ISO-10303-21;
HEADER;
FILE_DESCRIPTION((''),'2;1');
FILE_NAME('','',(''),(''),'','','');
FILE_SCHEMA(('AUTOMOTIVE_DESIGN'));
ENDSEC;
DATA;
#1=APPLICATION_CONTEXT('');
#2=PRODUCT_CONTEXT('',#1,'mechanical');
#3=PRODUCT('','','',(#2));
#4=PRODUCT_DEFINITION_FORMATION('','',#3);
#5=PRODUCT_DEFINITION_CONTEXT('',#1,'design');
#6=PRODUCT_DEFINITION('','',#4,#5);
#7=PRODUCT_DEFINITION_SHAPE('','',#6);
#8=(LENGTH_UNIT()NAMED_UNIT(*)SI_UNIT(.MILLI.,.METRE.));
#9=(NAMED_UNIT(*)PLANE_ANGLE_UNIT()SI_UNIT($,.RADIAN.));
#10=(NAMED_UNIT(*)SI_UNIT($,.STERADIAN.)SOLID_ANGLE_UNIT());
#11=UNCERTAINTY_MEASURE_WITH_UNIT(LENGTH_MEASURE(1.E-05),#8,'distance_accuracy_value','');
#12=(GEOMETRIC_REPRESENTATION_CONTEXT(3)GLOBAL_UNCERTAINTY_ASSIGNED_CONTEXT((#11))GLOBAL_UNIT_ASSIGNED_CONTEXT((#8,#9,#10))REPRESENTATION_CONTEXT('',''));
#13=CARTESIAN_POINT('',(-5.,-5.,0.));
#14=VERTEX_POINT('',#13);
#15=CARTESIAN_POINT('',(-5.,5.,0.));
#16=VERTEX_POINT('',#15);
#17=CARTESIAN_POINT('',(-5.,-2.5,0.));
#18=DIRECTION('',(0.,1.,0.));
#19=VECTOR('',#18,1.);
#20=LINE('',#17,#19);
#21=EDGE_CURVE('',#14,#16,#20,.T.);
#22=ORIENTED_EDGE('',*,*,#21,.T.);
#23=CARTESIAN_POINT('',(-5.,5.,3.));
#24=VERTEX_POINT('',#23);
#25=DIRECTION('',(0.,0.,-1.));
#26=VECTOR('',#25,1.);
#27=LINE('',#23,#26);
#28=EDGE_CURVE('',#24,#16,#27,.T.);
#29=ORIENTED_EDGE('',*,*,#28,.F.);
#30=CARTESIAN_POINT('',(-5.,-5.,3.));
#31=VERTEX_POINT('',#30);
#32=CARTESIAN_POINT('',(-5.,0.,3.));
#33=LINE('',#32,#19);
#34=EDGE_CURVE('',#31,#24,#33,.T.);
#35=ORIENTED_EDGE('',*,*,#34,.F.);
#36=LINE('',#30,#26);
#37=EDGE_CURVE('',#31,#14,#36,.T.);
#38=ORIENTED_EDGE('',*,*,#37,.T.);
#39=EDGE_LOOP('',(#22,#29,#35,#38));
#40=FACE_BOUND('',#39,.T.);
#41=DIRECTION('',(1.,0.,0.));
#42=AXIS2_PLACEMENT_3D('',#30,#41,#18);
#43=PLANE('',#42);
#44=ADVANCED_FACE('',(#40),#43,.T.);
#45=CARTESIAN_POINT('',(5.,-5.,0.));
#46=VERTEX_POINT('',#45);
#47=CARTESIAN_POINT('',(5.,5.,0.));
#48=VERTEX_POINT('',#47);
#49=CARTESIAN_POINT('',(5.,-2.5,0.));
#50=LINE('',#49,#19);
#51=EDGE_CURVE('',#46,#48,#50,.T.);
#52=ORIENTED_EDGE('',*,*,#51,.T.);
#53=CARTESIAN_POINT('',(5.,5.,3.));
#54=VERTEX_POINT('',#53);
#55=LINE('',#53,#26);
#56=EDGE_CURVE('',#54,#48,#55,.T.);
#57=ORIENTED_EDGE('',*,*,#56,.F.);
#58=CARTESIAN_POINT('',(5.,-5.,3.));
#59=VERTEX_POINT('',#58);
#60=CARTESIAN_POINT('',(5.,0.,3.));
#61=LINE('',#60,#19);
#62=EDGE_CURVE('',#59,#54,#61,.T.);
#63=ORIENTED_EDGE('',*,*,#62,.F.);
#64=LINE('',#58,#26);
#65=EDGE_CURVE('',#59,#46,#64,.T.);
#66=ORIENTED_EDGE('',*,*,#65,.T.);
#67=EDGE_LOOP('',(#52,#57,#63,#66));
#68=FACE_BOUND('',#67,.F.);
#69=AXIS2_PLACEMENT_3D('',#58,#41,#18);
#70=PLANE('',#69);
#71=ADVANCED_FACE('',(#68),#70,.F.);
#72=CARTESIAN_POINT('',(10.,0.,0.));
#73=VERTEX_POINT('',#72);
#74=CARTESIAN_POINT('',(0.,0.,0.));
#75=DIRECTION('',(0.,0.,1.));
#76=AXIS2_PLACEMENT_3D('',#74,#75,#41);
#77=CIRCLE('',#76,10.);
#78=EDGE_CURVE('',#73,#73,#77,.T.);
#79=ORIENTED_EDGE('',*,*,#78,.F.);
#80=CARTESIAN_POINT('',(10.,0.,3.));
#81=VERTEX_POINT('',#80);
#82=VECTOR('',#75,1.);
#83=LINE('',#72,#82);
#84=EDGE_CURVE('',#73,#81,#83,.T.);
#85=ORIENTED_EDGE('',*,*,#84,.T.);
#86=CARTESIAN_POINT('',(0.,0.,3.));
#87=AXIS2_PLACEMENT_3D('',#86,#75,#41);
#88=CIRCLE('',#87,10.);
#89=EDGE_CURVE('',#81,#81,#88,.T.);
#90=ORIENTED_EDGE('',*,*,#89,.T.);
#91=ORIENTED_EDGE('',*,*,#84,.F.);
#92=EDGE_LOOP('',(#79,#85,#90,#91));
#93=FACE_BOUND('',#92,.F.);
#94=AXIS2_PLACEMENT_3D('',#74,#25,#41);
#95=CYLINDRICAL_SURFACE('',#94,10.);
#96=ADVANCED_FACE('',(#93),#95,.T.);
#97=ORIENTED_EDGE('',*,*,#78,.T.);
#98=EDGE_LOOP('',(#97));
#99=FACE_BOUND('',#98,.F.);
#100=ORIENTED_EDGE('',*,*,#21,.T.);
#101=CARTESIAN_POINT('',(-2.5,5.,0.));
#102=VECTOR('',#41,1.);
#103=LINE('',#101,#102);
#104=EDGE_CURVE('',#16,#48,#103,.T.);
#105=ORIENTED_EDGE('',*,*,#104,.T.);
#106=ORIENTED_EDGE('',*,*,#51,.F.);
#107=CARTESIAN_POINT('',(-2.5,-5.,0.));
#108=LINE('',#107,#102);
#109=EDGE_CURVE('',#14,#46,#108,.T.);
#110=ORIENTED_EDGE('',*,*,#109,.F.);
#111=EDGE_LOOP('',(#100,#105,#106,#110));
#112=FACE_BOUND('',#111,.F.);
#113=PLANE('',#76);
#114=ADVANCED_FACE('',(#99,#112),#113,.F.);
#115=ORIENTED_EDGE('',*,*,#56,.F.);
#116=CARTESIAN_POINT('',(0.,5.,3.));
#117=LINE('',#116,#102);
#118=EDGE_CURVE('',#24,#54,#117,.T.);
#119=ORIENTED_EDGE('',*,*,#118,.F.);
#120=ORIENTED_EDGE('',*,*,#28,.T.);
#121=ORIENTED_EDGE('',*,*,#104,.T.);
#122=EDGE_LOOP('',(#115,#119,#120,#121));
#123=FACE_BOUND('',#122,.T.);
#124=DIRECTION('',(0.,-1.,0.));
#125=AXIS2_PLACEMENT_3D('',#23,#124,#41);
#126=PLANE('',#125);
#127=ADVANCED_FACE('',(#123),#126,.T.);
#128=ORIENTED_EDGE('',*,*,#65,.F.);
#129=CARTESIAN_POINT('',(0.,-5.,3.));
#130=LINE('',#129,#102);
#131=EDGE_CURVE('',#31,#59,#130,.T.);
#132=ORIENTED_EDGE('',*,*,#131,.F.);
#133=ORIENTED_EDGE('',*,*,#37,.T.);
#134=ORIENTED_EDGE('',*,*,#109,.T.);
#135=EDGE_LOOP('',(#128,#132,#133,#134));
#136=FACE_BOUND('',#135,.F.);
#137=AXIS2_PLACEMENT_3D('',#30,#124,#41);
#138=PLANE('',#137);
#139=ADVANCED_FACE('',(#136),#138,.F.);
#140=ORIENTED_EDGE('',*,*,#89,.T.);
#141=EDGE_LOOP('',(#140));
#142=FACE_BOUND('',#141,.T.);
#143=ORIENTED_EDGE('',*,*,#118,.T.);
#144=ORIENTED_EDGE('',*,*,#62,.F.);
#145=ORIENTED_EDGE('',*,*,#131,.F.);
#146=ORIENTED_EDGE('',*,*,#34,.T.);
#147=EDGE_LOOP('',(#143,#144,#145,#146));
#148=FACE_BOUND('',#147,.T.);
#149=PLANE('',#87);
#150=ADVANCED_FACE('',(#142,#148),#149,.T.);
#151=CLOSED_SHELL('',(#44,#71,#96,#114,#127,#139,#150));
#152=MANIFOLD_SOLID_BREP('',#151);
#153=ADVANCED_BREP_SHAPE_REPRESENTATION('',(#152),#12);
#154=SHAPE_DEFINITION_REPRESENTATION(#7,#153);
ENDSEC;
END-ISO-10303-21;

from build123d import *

# Parameters (mm, degrees)
F0_R     = 10
F1_DEPTH = 3
F2_W     = 10
F2_H     = 10
F3_DEPTH = 3.001


with BuildPart() as f1:
    # F0 (on Top) → F1 (new body)
    with BuildSketch(Plane.XY):
        Circle(F0_R)
    extrude(amount=F1_DEPTH)

    # F2 (on face) → F3 (cut, through all)
    with BuildSketch(Plane.XY.offset(3)):
        Rectangle(F2_W, F2_H)
    extrude(amount=-F3_DEPTH, mode=Mode.SUBTRACT)


solid = f1.part
